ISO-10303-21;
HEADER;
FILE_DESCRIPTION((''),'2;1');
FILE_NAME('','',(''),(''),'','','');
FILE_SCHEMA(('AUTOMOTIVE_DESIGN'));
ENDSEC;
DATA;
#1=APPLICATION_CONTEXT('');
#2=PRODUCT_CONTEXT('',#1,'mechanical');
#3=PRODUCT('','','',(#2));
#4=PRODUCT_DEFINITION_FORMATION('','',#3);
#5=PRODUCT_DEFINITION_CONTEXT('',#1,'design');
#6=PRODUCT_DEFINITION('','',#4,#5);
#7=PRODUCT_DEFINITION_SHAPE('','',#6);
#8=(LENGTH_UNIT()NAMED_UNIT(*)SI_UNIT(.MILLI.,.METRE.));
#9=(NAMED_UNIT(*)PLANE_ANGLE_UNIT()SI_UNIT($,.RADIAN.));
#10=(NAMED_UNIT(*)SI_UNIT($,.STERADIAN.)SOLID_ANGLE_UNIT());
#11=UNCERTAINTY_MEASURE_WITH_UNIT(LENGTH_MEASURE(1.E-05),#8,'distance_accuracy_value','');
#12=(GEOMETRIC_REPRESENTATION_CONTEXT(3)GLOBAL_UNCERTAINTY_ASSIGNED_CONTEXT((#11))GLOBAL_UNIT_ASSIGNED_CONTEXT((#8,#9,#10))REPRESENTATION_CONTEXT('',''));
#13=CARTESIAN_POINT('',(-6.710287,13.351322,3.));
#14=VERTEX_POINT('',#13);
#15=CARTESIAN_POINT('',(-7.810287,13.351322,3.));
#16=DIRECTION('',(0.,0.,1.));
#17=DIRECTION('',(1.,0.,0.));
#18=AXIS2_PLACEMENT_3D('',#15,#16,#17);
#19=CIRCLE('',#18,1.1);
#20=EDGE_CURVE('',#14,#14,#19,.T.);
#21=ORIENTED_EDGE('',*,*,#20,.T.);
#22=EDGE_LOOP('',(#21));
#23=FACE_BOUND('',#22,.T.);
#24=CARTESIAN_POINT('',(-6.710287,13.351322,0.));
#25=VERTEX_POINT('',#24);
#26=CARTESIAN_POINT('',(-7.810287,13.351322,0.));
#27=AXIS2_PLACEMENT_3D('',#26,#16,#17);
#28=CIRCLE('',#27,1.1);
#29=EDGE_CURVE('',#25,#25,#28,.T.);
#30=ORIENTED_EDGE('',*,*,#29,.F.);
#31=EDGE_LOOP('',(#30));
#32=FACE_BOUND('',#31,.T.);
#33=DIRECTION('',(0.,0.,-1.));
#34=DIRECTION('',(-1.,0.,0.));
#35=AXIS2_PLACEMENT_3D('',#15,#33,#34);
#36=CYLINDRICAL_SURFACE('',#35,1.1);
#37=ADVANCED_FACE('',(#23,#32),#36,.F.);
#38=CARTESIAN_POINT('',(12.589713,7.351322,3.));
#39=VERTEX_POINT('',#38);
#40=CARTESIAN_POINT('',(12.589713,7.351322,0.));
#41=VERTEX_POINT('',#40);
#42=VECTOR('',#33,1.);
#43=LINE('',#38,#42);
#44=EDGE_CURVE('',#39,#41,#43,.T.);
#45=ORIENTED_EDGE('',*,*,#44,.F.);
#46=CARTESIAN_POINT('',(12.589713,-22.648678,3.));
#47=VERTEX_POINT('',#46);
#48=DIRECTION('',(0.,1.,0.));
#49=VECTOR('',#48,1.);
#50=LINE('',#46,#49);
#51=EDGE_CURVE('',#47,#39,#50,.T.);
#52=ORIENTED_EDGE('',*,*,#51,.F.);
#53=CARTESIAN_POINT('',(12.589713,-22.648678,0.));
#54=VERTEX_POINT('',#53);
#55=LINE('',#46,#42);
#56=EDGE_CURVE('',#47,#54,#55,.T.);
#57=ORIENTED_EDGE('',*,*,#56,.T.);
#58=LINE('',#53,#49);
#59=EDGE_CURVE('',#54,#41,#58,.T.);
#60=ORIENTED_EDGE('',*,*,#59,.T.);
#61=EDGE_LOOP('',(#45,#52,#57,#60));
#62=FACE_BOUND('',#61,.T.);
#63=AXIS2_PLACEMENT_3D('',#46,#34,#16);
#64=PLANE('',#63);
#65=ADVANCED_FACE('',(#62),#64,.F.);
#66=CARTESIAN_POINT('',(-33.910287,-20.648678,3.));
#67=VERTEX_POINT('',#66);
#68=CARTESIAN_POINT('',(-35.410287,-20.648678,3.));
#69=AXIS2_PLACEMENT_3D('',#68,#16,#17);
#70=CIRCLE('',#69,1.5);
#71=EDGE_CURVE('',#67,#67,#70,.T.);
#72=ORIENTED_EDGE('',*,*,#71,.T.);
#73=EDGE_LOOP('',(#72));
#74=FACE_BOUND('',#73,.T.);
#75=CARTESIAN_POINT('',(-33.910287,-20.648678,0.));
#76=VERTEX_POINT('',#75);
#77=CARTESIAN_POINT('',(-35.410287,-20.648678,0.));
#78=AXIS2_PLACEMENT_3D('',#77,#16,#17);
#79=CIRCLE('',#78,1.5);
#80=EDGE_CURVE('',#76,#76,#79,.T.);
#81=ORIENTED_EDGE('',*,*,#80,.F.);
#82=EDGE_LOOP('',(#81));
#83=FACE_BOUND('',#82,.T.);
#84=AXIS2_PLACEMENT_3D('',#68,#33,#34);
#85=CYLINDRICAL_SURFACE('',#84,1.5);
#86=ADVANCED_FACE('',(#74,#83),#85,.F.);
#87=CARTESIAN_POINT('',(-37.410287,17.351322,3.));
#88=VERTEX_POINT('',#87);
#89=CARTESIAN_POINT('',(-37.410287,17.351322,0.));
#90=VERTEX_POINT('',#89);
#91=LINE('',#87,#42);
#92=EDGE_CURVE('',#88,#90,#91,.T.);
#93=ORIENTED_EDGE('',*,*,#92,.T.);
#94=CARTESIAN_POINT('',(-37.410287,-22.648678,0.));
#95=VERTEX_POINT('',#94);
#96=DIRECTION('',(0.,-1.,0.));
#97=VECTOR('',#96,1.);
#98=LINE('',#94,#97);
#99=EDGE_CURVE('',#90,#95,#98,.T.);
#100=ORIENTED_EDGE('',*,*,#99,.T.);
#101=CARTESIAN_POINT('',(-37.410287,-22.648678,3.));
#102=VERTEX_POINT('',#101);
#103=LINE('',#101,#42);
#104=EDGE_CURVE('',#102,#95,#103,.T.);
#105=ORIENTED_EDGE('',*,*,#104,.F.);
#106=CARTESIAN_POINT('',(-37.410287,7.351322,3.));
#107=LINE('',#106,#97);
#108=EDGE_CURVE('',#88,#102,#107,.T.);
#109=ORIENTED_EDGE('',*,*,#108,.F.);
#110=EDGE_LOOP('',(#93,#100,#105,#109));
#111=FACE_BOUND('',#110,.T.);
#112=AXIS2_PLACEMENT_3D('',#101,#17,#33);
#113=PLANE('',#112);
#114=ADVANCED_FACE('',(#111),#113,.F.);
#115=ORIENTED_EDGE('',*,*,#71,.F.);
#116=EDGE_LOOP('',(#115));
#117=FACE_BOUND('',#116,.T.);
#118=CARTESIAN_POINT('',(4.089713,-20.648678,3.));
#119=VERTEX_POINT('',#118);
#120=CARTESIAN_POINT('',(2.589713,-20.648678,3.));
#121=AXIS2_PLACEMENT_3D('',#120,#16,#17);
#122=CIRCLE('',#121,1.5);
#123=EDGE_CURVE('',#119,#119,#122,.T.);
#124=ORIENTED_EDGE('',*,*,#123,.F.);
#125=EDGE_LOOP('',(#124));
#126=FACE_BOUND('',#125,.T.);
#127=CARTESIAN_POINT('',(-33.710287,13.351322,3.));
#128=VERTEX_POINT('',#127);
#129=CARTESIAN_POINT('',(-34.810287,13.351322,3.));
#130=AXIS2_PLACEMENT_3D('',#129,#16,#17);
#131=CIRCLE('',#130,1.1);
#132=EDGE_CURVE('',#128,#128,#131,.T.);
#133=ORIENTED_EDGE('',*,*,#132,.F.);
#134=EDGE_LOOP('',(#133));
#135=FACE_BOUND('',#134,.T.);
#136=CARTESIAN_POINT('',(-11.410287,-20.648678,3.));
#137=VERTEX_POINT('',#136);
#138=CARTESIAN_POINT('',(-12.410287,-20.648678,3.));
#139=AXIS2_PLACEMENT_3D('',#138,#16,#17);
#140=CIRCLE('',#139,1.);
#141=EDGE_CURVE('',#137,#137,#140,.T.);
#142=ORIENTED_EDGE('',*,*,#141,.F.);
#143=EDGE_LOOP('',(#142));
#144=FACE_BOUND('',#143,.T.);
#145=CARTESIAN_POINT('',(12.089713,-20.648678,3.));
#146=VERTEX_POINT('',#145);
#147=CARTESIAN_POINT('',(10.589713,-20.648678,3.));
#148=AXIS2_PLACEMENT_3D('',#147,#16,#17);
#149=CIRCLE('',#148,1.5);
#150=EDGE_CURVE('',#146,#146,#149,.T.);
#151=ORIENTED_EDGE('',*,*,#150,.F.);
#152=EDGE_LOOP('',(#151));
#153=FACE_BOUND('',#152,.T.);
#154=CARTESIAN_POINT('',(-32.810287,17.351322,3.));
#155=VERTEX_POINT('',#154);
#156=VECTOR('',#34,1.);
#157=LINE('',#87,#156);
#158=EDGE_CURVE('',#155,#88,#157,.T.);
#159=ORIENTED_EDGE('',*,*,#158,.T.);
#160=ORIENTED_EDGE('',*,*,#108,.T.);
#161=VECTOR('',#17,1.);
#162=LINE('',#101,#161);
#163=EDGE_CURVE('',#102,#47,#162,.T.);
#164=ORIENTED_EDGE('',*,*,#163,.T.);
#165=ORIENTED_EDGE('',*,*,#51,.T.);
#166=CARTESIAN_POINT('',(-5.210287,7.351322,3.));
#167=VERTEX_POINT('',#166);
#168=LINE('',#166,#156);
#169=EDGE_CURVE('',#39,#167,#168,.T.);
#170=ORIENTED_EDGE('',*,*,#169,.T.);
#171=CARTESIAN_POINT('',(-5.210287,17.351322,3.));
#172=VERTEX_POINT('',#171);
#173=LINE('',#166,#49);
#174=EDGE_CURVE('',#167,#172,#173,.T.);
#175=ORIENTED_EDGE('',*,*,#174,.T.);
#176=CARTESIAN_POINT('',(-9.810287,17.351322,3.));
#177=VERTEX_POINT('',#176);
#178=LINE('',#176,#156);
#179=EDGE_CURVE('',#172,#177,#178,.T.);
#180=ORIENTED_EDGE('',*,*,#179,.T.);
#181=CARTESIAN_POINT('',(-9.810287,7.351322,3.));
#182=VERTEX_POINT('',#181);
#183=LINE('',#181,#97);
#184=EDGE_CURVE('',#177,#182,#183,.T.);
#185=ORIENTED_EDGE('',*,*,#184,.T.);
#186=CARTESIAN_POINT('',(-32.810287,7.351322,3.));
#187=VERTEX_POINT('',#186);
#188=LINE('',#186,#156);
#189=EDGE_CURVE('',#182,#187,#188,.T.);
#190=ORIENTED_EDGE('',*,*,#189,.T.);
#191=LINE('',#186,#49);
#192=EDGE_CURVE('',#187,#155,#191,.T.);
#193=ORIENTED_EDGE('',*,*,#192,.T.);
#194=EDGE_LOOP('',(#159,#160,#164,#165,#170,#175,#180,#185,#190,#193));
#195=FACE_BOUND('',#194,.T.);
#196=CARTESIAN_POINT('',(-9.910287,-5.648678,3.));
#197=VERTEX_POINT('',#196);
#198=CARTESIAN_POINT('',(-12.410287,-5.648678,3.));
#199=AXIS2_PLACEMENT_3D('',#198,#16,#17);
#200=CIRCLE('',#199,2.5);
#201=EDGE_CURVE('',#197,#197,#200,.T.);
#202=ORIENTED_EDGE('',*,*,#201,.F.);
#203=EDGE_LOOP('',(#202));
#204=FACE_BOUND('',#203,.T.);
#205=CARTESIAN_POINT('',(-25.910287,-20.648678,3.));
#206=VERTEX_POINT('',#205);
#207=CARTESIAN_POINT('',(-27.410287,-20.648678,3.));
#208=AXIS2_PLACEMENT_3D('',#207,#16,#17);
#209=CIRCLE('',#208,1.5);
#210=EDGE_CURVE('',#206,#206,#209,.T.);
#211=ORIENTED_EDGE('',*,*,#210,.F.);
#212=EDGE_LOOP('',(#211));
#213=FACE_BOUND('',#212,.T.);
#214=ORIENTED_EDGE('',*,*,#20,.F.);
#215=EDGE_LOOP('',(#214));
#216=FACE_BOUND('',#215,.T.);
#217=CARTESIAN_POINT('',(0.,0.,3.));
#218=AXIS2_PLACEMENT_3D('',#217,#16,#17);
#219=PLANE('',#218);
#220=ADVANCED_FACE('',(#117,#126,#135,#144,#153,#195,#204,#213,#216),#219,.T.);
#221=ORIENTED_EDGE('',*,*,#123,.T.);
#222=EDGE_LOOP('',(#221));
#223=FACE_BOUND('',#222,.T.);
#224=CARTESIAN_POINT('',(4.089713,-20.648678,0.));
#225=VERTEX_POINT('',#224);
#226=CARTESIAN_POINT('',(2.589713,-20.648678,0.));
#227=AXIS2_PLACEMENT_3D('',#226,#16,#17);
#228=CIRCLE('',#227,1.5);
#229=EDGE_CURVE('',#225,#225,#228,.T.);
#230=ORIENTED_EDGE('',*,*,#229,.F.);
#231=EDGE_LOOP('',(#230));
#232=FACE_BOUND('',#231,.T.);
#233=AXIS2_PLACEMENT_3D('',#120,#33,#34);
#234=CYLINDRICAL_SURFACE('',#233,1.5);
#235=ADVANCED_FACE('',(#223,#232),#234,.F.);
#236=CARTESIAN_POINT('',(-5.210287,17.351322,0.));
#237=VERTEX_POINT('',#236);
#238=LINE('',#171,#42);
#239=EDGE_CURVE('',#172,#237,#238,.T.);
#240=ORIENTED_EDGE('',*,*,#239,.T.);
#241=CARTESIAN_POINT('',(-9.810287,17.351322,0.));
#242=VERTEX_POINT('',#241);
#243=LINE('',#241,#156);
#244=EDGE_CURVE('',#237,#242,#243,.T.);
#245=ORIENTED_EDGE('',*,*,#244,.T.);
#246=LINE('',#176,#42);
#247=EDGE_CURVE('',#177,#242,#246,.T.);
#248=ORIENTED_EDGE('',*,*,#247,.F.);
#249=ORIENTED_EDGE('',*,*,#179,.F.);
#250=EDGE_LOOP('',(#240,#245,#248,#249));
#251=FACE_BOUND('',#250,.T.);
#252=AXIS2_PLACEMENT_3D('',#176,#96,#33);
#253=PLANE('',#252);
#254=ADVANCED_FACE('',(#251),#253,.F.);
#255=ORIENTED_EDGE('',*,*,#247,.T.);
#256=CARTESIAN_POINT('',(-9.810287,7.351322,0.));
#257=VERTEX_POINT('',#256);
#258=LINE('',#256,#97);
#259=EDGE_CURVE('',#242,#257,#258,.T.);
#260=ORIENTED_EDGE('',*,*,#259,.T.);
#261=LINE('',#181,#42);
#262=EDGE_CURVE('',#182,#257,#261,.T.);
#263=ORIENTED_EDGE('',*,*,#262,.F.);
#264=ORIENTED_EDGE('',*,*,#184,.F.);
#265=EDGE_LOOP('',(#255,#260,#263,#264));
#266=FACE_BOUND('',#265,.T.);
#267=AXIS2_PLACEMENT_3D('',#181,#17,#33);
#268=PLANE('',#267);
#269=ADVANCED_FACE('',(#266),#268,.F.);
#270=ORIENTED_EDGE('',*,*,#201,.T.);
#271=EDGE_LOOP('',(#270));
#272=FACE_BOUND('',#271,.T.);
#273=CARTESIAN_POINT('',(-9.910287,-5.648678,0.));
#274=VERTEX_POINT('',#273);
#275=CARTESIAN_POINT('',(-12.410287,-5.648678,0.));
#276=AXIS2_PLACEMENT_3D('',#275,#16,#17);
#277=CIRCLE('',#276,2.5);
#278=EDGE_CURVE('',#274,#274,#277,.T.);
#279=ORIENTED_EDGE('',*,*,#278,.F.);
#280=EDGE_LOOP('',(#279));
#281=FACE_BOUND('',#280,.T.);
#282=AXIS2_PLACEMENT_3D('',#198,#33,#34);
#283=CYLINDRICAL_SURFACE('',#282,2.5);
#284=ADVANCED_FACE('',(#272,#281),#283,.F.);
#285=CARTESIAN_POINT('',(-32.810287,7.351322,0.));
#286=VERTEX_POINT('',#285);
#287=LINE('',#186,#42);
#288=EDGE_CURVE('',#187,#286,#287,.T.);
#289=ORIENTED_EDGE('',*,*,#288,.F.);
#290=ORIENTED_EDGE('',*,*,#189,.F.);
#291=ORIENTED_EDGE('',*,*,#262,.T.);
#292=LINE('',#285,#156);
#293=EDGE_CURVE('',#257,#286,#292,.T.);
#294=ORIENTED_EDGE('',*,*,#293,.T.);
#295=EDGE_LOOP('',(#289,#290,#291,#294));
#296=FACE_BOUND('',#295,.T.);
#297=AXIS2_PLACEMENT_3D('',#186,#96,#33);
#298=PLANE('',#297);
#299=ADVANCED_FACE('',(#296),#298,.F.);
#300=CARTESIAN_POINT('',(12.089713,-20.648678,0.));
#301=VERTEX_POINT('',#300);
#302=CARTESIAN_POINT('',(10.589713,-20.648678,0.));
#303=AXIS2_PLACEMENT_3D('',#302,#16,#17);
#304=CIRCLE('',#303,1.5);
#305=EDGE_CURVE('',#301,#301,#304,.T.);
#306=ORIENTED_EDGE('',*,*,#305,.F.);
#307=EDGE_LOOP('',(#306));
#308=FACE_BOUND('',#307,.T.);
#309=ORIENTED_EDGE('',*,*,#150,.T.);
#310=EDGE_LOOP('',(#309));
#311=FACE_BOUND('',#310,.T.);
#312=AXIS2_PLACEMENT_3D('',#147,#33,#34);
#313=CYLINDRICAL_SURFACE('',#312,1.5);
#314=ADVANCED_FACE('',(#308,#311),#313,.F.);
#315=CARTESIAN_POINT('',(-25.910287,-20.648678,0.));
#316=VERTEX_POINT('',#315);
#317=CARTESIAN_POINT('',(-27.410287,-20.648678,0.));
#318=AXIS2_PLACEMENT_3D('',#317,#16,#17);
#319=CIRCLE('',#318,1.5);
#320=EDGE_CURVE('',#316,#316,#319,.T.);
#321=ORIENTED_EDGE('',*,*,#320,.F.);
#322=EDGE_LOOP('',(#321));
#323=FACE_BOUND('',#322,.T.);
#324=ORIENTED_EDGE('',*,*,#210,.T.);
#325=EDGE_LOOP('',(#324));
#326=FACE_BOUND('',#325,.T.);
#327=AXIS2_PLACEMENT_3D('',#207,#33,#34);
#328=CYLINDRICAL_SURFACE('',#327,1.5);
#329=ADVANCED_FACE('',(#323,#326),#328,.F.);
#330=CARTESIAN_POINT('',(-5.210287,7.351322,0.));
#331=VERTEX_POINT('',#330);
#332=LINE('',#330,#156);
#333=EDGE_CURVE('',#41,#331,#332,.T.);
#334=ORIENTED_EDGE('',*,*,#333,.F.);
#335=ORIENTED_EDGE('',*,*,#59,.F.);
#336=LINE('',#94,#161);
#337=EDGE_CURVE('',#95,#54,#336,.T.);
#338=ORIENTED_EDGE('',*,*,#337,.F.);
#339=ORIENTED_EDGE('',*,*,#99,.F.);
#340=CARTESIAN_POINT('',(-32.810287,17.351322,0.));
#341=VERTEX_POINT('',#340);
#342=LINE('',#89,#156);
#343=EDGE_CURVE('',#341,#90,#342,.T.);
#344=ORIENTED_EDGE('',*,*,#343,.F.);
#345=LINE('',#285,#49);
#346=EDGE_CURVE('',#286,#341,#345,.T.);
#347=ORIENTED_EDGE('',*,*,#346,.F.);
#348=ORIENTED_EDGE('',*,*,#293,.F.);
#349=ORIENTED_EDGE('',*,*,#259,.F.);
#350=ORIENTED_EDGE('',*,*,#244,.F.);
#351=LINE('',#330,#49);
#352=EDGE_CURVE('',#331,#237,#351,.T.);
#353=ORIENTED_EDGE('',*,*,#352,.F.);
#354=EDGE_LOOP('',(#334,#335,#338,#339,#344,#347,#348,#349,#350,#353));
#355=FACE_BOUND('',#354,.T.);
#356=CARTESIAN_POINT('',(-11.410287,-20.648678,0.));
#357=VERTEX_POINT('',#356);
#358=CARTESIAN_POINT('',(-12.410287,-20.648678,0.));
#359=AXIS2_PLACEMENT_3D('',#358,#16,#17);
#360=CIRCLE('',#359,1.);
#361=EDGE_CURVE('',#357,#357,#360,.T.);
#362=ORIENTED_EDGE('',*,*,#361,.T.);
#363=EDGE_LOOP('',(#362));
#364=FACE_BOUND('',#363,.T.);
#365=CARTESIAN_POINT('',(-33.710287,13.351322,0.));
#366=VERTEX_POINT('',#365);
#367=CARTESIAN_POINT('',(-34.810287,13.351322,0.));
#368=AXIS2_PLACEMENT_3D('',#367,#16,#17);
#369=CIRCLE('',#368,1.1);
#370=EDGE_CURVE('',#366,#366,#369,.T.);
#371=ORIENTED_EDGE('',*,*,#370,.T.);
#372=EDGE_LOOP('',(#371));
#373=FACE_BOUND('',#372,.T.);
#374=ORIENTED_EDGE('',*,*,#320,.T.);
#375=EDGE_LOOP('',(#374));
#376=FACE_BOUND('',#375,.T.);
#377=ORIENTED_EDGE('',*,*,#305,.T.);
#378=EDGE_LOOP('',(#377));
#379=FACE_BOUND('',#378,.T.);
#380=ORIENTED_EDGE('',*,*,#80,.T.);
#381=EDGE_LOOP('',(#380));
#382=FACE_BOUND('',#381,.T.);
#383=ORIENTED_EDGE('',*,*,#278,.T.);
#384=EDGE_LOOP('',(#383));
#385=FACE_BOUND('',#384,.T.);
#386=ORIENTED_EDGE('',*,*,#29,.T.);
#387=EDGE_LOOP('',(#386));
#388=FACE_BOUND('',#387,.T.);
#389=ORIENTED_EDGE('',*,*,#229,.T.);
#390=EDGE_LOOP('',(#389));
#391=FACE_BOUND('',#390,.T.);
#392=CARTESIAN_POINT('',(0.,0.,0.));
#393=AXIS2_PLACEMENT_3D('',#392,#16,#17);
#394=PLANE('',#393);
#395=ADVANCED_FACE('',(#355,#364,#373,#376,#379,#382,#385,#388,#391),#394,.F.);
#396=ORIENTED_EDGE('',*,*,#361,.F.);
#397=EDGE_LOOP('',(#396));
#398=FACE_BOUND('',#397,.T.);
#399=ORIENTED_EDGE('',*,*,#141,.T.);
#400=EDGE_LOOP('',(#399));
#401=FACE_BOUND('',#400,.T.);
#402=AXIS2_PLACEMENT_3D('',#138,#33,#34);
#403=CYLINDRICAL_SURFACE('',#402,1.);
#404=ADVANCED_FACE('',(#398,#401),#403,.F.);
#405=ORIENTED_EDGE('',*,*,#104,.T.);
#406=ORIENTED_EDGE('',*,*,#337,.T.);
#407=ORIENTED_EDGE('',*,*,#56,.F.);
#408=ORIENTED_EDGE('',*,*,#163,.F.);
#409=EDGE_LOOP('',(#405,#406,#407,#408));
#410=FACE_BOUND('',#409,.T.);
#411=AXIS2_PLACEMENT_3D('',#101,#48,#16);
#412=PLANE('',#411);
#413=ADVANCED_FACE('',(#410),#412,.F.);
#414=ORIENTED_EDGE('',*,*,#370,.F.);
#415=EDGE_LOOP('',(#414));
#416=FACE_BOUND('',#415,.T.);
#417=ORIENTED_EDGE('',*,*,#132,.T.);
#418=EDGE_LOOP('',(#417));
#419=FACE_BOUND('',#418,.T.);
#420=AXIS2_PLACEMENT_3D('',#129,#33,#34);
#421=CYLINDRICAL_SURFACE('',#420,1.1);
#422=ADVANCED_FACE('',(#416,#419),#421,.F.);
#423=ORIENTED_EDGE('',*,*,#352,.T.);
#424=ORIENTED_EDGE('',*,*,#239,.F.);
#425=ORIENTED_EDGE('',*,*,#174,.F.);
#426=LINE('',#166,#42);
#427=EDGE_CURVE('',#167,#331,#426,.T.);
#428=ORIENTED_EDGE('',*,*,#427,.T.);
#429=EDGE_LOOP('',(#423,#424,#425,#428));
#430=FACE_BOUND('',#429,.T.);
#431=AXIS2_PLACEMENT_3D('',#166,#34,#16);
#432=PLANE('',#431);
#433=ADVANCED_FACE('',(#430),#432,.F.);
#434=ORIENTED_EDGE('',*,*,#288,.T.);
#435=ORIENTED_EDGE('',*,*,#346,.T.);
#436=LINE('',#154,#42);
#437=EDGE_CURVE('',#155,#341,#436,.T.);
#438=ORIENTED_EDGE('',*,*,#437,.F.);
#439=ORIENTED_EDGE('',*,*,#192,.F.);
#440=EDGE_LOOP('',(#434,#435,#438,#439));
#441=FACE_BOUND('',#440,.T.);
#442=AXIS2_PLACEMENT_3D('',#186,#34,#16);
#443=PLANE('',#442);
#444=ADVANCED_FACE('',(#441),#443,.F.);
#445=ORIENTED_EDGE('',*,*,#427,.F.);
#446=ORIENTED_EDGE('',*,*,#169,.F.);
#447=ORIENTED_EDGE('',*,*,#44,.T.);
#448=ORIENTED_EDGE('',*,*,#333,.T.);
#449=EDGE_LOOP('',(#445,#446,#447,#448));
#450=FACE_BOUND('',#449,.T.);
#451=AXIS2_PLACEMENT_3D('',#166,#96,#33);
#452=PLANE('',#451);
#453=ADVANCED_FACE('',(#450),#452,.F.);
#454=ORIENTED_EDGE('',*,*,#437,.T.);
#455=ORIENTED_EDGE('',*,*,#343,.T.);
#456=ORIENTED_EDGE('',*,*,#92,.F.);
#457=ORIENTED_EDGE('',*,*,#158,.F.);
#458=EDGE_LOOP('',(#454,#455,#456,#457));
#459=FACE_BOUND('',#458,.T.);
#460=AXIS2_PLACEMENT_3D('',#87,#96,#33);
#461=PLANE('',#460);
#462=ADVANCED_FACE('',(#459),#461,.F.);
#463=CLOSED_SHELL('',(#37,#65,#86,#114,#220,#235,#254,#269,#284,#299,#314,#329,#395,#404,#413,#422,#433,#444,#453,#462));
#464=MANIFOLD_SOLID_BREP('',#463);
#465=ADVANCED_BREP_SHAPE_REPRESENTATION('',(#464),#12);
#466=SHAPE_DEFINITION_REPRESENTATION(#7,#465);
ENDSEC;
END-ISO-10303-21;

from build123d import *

# Parameters (mm, degrees)
SKETCH_1_R      = 2.5
SKETCH_1_R_2    = 1.1
SKETCH_1_R_3    = 1.5
SKETCH_1_R_4    = 1
EXTRUDE_1_DEPTH = 3


with BuildPart() as part:
    # Эскиз1 → Бобышка-Вытянуть1 (new body)
    with BuildSketch(Plane.XY):
        Polygon((-37.410287044, -22.648677976), (12.589712956, -22.648677976), (12.589712956, 7.351322024), (-5.210287044, 7.351322024), (-5.210287044, 17.351322024), (-9.810287044, 17.351322024), (-9.810287044, 7.351322024), (-32.810287044, 7.351322024), (-32.810287044, 17.351322024), (-37.410287044, 17.351322024), (-37.410287044, 7.351322024), align=None)
        with Locations((-12.410287044, -5.648677976)):
            Circle(SKETCH_1_R, mode=Mode.SUBTRACT)
        with Locations((-34.810287044, 13.351322024)):
            Circle(SKETCH_1_R_2, mode=Mode.SUBTRACT)
        with Locations((-7.810287044, 13.351322024)):
            Circle(SKETCH_1_R_2, mode=Mode.SUBTRACT)
        with Locations((-35.410287044, -20.648677976)):
            Circle(SKETCH_1_R_3, mode=Mode.SUBTRACT)
        with Locations((10.589712956, -20.648677976)):
            Circle(SKETCH_1_R_3, mode=Mode.SUBTRACT)
        with Locations((-12.410287044, -20.648677976)):
            Circle(SKETCH_1_R_4, mode=Mode.SUBTRACT)
        with Locations((-27.410287044, -20.648677976)):
            Circle(SKETCH_1_R_3, mode=Mode.SUBTRACT)
        with Locations((2.589712956, -20.648677976)):
            Circle(SKETCH_1_R_3, mode=Mode.SUBTRACT)
    extrude(amount=EXTRUDE_1_DEPTH)


solid = part.part
